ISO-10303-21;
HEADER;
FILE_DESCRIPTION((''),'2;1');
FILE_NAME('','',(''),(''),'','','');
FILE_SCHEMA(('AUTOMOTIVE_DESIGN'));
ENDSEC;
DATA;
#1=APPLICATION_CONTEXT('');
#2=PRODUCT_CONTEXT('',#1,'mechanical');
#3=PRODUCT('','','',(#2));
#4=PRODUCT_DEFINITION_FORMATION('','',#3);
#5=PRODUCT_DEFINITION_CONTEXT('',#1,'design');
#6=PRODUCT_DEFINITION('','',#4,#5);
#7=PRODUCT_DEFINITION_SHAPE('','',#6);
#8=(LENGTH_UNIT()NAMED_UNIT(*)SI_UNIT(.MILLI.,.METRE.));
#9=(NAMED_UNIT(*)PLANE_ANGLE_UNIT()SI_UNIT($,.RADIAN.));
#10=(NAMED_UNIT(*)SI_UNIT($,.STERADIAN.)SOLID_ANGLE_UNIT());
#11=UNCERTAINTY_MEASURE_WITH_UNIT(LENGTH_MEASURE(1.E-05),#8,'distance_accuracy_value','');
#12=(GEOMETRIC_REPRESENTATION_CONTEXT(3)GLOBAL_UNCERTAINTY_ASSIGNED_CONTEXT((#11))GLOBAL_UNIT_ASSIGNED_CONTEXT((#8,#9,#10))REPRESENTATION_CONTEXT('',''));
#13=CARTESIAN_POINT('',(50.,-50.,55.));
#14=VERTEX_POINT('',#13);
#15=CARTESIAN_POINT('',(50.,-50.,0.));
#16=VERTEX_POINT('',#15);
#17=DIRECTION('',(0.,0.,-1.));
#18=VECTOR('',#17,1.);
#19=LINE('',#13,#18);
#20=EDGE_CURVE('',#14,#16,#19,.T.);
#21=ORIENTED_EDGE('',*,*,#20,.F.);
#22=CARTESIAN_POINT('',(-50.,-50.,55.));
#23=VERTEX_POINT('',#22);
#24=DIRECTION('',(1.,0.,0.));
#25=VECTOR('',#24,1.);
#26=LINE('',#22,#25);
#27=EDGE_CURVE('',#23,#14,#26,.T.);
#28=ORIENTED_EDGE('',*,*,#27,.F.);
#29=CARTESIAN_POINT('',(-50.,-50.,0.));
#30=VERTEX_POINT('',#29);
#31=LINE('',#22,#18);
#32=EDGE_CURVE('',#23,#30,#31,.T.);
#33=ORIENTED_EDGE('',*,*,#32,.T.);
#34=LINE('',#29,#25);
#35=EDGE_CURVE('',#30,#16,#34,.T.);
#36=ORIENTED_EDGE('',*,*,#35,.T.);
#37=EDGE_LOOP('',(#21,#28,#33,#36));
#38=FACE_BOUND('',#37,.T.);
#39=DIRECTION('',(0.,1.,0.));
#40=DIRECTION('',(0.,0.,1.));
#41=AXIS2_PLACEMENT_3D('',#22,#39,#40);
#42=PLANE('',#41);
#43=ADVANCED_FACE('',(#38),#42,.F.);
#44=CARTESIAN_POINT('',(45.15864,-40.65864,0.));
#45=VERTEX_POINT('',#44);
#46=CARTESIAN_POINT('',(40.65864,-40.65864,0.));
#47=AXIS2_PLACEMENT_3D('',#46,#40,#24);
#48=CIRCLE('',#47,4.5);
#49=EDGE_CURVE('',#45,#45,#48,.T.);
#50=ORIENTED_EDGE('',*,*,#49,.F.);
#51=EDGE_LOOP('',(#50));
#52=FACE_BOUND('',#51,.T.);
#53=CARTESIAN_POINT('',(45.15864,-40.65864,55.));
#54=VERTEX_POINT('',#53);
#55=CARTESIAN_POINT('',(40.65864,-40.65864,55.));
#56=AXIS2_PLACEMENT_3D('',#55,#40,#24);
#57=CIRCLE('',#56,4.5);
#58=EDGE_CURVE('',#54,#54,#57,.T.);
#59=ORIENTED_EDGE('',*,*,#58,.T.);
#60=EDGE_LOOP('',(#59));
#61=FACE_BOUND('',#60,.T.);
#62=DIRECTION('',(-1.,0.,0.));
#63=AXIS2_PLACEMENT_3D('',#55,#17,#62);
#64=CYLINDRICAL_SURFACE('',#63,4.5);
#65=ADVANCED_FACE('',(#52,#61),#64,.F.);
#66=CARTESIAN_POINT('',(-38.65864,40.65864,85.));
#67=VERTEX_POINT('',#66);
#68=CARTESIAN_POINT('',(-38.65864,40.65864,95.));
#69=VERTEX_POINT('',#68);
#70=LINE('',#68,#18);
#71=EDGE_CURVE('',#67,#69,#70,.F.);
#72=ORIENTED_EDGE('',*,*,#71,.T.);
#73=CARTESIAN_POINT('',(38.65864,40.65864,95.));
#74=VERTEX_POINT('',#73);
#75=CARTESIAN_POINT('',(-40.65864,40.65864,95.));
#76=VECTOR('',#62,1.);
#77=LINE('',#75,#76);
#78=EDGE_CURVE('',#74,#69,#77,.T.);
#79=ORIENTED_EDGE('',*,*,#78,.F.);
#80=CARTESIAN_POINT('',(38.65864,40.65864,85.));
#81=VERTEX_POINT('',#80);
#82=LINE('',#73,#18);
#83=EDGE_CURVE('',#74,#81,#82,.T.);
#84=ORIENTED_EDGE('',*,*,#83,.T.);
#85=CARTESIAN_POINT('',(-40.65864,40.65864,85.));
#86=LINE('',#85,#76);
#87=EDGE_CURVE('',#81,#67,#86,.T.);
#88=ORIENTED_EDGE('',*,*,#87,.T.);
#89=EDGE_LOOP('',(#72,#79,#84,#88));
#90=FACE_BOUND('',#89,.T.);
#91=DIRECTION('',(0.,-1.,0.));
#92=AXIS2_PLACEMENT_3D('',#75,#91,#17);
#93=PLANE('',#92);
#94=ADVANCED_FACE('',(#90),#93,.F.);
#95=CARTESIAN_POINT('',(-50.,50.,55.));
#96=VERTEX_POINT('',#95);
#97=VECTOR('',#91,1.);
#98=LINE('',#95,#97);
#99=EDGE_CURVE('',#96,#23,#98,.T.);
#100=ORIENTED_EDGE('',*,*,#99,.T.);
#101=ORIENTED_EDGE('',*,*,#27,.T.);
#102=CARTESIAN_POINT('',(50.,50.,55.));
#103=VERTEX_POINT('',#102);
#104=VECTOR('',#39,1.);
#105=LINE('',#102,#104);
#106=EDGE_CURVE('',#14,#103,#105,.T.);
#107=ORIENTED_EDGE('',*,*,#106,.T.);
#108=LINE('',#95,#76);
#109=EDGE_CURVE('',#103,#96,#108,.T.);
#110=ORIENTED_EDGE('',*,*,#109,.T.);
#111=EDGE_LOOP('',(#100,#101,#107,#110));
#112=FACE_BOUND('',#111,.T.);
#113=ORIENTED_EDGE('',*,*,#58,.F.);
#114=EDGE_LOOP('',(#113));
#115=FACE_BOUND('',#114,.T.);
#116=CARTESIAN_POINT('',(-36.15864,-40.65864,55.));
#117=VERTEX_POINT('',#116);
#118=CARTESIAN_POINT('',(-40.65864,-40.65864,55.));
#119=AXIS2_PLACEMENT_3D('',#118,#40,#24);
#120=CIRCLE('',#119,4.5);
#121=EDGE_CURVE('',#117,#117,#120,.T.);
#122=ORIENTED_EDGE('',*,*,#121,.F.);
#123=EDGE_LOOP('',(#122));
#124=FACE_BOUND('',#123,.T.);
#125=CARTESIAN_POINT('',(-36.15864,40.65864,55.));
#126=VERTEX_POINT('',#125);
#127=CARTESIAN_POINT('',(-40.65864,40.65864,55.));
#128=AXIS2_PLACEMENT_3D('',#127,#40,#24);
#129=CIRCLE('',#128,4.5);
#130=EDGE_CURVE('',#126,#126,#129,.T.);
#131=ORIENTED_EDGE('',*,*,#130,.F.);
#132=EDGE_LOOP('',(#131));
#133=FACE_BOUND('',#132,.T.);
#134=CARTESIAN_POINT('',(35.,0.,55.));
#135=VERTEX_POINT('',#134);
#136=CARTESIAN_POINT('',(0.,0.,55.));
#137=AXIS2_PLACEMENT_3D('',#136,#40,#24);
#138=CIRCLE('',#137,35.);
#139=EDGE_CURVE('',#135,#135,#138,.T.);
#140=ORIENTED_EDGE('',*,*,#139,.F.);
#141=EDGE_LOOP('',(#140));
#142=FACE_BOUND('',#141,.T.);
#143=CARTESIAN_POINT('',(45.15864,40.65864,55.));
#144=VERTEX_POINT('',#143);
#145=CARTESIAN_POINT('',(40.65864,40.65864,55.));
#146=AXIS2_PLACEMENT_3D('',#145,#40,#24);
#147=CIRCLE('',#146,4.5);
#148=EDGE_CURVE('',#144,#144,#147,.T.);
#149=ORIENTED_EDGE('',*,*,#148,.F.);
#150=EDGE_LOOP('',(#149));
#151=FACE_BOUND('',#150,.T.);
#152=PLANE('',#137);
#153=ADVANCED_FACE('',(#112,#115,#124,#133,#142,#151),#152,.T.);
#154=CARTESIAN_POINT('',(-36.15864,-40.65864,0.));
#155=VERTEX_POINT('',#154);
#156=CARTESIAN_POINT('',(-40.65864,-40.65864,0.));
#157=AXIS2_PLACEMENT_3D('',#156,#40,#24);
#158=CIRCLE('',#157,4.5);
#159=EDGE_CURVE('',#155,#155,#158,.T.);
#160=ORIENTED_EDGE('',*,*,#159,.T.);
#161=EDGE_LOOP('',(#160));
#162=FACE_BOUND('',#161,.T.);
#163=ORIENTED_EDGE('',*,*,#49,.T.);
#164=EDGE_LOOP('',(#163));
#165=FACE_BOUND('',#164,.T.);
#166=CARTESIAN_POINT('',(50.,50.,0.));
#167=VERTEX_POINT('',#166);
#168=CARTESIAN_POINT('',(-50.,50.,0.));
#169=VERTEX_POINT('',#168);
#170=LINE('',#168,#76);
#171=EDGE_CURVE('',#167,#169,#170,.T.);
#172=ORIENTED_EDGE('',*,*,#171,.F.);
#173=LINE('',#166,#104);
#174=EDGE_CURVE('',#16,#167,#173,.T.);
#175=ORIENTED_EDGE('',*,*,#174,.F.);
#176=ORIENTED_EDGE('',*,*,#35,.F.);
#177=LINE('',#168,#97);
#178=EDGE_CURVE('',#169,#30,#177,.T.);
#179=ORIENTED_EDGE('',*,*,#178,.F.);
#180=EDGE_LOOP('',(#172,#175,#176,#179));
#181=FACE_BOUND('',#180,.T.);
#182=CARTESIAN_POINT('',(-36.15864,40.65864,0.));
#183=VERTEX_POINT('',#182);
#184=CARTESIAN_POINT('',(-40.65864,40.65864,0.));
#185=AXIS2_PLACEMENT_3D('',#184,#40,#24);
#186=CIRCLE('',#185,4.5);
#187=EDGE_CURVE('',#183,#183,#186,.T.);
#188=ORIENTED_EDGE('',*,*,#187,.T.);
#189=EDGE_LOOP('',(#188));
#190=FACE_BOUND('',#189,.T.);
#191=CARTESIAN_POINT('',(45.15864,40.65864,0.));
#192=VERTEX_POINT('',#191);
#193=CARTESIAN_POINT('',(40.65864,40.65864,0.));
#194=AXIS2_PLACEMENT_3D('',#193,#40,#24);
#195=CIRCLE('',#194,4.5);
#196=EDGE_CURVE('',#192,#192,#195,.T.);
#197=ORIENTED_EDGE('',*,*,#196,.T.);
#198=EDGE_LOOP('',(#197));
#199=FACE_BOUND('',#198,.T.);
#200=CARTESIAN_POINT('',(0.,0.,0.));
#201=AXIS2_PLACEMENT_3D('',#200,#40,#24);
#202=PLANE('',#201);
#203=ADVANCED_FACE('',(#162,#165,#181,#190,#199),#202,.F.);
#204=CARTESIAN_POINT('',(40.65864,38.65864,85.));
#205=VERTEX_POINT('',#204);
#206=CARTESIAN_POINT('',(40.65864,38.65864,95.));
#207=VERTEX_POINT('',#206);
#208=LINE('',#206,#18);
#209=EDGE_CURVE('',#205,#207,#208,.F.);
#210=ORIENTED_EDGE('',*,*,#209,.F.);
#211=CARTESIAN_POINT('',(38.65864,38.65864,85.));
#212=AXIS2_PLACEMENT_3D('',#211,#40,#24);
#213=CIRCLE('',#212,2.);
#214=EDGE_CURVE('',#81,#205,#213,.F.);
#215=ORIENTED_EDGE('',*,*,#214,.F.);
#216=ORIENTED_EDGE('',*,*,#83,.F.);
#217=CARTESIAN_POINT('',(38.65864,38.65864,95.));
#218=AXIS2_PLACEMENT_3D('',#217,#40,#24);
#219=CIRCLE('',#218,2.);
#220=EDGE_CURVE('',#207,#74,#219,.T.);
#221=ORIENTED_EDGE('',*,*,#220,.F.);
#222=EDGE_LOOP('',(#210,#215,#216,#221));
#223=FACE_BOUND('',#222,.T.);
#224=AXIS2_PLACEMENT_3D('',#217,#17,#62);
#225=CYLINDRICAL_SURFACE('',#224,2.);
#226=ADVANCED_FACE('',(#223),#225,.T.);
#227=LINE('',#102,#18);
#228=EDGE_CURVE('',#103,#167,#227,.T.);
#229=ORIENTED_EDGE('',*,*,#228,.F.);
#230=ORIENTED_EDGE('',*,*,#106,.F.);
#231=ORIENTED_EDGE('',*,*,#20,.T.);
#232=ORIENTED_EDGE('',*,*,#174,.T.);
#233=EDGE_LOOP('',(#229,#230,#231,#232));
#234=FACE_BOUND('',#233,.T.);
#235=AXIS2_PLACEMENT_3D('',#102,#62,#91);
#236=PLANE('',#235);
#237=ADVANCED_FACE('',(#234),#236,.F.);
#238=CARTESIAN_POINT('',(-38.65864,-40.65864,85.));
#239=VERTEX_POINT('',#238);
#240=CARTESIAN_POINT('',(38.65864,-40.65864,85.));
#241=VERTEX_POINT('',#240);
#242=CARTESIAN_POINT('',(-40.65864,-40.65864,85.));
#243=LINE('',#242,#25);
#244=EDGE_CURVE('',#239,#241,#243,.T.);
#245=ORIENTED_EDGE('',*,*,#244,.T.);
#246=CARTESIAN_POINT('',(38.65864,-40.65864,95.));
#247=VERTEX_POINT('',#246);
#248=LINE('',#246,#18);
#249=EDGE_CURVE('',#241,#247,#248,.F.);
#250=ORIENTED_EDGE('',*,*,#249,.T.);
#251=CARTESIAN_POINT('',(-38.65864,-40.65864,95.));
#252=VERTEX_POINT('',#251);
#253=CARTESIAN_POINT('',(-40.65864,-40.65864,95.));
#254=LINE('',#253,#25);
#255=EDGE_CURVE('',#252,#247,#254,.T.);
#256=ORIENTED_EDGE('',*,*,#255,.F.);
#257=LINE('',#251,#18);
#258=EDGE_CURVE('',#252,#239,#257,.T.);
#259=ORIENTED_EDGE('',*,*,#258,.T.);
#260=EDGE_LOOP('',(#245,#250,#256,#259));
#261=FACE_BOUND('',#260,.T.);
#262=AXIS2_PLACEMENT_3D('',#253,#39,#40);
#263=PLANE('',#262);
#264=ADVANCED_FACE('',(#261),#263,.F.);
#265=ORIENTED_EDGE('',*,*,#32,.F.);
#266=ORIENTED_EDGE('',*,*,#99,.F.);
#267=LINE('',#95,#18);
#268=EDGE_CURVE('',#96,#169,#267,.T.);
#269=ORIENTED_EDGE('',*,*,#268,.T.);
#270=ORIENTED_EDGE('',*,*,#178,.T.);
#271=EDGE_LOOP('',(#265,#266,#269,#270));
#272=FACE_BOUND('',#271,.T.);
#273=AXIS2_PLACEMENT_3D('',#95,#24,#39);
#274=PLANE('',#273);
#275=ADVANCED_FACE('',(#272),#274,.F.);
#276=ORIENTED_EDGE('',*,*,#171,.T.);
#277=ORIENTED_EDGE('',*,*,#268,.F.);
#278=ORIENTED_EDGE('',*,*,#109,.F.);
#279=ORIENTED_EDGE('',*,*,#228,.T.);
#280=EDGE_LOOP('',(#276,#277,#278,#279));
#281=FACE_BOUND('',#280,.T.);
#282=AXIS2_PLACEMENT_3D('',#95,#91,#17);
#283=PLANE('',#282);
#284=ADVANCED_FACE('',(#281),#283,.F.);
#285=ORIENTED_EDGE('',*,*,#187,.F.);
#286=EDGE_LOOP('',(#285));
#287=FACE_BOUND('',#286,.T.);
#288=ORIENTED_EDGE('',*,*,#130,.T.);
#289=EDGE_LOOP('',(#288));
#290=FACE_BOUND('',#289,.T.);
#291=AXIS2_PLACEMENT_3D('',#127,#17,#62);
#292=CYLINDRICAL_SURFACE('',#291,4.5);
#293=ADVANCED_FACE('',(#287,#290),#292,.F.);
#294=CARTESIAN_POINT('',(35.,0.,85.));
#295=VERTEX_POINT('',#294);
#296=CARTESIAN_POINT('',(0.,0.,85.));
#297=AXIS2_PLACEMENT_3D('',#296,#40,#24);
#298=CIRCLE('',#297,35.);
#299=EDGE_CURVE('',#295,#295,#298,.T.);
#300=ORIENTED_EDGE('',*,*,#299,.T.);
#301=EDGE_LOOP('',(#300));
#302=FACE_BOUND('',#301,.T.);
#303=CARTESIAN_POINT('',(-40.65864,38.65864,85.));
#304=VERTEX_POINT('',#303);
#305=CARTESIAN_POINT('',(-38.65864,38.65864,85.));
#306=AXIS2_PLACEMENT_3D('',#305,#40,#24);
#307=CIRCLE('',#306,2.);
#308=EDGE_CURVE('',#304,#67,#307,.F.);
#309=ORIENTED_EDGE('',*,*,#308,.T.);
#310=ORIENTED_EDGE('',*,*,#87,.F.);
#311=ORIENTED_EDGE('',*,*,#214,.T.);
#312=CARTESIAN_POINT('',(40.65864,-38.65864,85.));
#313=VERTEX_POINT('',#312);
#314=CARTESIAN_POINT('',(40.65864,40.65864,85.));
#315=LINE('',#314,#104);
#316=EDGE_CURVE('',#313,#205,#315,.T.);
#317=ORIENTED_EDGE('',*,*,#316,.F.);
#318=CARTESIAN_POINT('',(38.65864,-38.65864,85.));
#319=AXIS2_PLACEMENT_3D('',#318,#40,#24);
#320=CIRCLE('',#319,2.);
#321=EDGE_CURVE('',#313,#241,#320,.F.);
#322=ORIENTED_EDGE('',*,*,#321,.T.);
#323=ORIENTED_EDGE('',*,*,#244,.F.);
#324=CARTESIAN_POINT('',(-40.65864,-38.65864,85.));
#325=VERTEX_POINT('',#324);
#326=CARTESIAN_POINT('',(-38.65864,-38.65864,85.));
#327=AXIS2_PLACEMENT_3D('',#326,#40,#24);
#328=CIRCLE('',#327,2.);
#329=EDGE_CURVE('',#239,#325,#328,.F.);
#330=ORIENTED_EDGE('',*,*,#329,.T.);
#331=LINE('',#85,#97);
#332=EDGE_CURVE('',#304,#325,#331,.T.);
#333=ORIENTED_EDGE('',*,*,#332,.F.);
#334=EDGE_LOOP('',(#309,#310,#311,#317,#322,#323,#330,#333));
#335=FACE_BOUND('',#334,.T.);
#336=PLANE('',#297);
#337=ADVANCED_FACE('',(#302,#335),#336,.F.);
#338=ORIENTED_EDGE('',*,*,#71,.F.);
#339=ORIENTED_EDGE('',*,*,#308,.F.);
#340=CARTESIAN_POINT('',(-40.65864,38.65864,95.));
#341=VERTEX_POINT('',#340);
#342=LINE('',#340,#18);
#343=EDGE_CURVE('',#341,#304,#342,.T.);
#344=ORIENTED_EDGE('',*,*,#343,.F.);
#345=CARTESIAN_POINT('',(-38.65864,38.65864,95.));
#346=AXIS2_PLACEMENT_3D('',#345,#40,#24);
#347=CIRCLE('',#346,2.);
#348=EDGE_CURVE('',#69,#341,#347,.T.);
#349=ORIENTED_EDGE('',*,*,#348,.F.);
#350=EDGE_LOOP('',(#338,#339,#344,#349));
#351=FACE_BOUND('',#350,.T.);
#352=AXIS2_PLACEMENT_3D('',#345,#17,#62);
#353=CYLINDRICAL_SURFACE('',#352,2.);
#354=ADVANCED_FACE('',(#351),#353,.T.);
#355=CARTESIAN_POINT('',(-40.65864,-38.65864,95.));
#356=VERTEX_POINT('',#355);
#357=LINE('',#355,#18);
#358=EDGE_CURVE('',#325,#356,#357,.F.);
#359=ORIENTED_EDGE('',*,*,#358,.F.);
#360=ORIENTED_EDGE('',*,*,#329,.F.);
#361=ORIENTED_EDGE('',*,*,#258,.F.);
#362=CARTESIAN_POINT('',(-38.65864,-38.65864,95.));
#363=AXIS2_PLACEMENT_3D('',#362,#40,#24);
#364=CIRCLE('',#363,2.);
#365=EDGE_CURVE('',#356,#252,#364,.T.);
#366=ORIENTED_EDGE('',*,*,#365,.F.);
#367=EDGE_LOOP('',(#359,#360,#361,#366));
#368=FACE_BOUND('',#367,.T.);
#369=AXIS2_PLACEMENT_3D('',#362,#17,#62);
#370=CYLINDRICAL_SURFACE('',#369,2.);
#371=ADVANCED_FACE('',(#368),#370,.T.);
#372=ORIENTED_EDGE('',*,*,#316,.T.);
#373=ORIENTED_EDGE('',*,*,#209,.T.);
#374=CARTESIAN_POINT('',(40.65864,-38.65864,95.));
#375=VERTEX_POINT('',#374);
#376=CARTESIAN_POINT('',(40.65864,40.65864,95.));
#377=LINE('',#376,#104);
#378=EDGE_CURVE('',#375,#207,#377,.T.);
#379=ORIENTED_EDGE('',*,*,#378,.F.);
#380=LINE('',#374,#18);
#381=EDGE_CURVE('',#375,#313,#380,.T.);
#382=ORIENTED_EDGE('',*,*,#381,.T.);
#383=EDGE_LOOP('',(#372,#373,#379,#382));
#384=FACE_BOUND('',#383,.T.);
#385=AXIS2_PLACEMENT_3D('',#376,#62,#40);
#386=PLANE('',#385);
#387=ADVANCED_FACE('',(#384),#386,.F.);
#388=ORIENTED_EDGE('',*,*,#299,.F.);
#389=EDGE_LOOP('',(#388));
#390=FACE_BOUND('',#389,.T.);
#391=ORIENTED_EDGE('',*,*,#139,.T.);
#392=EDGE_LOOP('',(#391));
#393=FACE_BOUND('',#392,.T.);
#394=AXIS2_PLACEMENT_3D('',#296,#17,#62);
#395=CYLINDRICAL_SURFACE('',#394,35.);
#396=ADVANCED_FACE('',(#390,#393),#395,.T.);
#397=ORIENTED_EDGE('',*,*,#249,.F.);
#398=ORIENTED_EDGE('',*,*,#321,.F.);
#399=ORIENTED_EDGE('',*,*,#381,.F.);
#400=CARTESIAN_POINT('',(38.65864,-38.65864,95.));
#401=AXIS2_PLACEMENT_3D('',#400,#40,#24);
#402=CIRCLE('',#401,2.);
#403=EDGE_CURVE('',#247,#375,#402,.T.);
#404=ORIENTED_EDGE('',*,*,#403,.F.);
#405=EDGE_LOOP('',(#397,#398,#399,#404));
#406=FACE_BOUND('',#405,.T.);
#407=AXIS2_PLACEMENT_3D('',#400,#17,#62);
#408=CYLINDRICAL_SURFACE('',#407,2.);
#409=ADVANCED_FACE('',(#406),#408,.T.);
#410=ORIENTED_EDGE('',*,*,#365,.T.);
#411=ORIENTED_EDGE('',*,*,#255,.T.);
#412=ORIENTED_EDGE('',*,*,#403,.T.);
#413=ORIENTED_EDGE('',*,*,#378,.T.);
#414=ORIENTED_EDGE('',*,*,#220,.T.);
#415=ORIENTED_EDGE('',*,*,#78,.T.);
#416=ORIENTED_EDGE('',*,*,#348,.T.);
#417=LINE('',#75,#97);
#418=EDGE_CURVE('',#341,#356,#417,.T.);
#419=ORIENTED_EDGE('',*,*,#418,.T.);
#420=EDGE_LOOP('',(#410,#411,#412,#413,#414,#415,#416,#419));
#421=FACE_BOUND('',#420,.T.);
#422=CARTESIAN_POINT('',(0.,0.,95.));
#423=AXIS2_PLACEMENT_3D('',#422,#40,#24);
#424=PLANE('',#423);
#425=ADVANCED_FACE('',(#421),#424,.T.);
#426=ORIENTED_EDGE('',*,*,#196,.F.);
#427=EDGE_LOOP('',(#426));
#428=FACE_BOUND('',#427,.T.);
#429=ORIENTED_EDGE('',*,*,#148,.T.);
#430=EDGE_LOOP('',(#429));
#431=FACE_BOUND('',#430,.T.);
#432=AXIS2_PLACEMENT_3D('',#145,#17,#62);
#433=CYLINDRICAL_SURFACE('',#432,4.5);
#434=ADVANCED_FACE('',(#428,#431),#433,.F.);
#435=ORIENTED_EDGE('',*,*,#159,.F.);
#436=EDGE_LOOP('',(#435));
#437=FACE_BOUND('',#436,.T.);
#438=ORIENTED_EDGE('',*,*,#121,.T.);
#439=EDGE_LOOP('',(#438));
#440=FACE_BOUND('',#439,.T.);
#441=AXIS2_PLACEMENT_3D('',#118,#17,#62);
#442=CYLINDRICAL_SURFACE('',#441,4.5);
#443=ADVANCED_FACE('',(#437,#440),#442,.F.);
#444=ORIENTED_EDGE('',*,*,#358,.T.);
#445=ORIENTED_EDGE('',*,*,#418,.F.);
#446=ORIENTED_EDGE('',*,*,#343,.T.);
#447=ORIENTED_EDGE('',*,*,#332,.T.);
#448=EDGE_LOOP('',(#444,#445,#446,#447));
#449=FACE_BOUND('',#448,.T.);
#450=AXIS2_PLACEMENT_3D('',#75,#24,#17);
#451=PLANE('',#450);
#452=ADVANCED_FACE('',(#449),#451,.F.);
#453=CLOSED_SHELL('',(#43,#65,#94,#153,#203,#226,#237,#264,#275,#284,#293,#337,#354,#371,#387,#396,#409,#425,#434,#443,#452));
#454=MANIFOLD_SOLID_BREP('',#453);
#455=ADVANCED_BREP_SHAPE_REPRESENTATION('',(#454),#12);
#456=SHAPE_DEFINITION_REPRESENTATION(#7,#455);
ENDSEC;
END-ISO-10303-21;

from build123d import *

# Parameters (mm, degrees)
SKETCH_1_W      = 100
SKETCH_1_H      = 100
SKETCH_1_R      = 4.5
EXTRUDE_1_DEPTH = 55
SKETCH_2_R      = 35
EXTRUDE_2_DEPTH = 30
SKETCH_3_W      = 81.317279836
SKETCH_3_H      = 81.317279836
EXTRUDE_3_DEPTH = 10
FILLET_1_R      = 2


with BuildPart() as part:
    # 草图1 → 凸台-拉伸1 (new body)
    with BuildSketch(Plane.XY):
        Rectangle(SKETCH_1_W, SKETCH_1_H)
        with Locations((-40.658639918, 40.658639918)):
            Circle(SKETCH_1_R, mode=Mode.SUBTRACT)
        with Locations((40.658639918, 40.658639918)):
            Circle(SKETCH_1_R, mode=Mode.SUBTRACT)
        with Locations((40.658639918, -40.658639918)):
            Circle(SKETCH_1_R, mode=Mode.SUBTRACT)
        with Locations((-40.658639918, -40.658639918)):
            Circle(SKETCH_1_R, mode=Mode.SUBTRACT)
    extrude(amount=EXTRUDE_1_DEPTH)

    # 草图2 → 凸台-拉伸2 (add)
    with BuildSketch(Plane.XY.offset(55)):
        Circle(SKETCH_2_R)
    extrude(amount=EXTRUDE_2_DEPTH)

    # 草图3 → 凸台-拉伸3 (add)
    with BuildSketch(Plane.XY.offset(85)):
        Rectangle(SKETCH_3_W, SKETCH_3_H)
    extrude(amount=EXTRUDE_3_DEPTH)

    # 圆角1
    fillet_1_edges = [part.edges().sort_by_distance(p)[0] for p in [
        (40.658639918, -40.658639918, 90),
        (40.658639918, 40.658639918, 90),
        (-40.658639918, 40.658639918, 90),
        (-40.658639918, -40.658639918, 90),
    ]]
    fillet(fillet_1_edges, radius=FILLET_1_R)


solid = part.part
